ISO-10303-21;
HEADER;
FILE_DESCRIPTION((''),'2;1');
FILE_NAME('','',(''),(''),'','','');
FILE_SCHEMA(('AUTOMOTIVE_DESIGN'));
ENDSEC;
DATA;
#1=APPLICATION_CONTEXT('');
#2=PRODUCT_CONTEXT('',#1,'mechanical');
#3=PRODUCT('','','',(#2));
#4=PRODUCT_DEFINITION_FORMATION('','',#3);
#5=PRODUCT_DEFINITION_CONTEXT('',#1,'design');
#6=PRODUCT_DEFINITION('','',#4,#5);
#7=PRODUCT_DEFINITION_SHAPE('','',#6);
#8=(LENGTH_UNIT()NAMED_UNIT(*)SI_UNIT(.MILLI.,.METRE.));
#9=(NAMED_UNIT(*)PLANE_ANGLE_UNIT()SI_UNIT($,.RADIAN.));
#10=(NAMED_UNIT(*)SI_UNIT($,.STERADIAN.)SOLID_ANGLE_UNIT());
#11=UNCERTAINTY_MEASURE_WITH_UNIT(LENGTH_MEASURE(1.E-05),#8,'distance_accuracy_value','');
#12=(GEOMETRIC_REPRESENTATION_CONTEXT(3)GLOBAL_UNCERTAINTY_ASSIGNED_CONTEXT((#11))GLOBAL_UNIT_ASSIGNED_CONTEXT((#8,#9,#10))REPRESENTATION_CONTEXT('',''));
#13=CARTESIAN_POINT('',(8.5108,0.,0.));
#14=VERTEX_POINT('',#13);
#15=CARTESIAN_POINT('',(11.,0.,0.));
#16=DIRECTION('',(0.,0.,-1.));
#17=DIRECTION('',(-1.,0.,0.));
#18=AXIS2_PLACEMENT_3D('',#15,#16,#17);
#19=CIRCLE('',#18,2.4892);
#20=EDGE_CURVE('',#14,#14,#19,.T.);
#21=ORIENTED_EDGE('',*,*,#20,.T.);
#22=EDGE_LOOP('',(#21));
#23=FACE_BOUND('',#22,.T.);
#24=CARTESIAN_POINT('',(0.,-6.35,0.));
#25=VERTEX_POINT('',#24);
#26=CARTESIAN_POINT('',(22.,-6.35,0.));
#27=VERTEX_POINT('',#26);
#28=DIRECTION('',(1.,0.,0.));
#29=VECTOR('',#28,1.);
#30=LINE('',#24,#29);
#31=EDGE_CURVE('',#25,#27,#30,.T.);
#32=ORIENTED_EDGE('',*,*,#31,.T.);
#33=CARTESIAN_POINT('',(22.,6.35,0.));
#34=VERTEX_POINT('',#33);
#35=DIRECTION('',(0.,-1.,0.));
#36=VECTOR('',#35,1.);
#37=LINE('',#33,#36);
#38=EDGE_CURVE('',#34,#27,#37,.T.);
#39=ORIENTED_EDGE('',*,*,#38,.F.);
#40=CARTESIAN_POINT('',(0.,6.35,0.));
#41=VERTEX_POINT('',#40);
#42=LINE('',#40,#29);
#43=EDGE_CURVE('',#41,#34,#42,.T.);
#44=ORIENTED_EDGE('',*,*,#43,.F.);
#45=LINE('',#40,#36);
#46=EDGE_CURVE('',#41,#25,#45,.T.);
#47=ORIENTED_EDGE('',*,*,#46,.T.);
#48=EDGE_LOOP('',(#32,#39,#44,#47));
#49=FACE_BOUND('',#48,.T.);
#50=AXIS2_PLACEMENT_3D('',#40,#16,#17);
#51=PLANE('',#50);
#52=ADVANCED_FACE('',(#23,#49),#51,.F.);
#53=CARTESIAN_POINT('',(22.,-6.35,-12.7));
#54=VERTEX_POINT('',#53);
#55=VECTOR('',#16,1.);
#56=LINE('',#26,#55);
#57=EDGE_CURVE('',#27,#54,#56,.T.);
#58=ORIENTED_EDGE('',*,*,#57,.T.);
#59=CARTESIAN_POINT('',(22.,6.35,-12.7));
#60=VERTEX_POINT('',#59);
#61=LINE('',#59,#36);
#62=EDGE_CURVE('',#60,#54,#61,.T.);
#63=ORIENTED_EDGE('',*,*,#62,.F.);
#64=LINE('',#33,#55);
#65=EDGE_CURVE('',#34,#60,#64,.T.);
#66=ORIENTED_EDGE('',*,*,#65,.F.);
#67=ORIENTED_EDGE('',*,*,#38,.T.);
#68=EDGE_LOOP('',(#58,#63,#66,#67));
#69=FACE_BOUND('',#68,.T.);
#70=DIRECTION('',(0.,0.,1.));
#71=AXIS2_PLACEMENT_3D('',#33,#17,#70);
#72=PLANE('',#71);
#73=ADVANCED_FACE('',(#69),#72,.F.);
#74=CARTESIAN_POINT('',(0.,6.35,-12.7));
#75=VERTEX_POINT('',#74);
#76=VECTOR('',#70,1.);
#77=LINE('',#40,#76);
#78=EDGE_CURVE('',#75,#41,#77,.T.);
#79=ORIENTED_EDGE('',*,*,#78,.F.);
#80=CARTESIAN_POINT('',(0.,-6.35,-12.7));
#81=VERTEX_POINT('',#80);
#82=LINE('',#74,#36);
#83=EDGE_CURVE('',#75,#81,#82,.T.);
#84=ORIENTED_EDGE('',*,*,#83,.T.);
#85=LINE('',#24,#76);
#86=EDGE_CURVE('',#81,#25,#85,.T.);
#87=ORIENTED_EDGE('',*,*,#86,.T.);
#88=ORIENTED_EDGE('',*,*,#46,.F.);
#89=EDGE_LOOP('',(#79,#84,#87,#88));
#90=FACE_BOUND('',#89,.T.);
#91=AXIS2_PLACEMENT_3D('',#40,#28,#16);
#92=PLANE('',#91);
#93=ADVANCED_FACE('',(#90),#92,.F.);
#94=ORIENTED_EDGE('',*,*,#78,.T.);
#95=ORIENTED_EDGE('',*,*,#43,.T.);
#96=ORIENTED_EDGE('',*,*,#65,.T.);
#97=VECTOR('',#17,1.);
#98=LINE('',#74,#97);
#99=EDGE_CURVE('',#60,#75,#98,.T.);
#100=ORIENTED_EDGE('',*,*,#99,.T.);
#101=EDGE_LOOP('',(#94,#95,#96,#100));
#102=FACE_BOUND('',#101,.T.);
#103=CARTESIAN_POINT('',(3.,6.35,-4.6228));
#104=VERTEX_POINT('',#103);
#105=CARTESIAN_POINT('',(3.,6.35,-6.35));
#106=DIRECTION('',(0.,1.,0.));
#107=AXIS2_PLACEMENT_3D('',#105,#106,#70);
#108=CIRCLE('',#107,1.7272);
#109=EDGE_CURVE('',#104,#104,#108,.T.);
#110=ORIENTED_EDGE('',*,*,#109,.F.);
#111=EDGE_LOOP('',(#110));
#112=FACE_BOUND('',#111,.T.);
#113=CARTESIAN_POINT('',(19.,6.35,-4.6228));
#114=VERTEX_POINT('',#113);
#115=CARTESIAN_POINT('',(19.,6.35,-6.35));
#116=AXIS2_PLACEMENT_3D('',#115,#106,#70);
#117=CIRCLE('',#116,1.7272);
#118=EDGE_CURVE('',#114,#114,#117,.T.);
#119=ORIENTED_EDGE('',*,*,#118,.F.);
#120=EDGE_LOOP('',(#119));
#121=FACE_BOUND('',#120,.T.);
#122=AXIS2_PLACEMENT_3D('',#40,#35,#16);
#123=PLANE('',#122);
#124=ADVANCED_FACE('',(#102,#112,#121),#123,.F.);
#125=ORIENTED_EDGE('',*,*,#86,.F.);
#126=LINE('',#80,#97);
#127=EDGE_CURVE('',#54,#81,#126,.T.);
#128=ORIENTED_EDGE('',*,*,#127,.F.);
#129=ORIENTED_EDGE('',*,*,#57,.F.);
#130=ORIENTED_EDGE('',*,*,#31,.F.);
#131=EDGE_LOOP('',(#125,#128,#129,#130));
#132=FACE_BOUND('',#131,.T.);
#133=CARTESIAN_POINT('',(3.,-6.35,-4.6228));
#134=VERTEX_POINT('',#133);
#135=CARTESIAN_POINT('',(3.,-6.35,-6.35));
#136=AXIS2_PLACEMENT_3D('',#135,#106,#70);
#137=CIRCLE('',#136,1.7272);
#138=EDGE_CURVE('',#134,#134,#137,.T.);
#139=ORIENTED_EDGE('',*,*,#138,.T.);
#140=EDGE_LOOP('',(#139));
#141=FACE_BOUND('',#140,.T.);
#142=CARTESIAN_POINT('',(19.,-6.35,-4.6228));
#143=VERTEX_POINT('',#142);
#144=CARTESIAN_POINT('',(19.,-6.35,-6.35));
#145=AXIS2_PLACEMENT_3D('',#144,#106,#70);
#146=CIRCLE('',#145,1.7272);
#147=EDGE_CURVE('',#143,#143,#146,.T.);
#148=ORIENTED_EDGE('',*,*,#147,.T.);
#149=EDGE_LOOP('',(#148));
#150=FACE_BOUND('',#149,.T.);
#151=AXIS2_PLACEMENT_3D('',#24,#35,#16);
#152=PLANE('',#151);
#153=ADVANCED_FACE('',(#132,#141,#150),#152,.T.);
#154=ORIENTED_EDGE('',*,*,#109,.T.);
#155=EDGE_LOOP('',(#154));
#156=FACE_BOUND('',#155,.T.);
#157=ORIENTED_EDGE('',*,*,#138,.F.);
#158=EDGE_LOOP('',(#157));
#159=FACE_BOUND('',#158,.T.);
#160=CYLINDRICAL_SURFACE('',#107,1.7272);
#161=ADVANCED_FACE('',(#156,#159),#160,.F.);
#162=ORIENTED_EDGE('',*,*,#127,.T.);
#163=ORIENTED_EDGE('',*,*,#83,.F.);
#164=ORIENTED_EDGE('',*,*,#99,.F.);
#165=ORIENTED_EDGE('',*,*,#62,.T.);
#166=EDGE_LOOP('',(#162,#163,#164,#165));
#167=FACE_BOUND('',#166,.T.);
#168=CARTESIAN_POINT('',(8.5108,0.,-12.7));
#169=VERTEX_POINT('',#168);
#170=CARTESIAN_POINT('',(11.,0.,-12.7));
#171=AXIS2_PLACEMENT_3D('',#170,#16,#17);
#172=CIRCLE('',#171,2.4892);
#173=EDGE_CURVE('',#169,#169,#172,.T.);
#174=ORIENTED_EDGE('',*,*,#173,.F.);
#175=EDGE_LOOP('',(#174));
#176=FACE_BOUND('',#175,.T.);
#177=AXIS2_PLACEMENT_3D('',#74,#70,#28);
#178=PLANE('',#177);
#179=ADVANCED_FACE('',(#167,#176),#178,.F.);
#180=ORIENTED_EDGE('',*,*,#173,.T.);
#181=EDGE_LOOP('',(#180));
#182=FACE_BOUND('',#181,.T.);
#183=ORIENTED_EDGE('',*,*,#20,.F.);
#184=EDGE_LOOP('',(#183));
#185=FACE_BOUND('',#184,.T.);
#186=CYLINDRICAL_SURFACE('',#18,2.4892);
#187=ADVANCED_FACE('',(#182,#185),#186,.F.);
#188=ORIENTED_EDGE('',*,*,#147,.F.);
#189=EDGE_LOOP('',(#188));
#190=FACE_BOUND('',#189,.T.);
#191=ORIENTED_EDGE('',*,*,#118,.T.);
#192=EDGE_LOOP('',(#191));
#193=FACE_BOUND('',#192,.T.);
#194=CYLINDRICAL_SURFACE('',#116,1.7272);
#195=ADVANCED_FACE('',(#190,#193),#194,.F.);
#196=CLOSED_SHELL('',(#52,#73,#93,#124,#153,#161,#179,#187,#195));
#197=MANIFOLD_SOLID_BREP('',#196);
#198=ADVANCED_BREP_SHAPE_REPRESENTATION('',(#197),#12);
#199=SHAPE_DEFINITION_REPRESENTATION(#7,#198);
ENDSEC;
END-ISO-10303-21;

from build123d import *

# Parameters (mm, degrees)
SKETCH1_W             = 22.000000096
SKETCH1_H             = 12.7
BOSS_EXTRUDE1_DEPTH   = 6.35
F_8_32_TAPPED_HOLE1_D = 3.4544
SKETCH4_R             = 2.4892
CUT_EXTRUDE1_DEPTH    = 27.184203334


with BuildPart() as part:
    # Sketch1 → Boss-Extrude1 (new, symmetric)
    with BuildSketch(Plane(origin=(0, 0, 0), x_dir=(1, 0, 0), z_dir=(0, 1, 0))):
        with Locations((11.000000048, 6.35)):
            Rectangle(SKETCH1_W, SKETCH1_H)
    extrude(amount=BOSS_EXTRUDE1_DEPTH, both=True)

    # #8-32 Tapped Hole1 (through all)
    with Locations(Plane(origin=(3.000000096, 6.35, -6.35), x_dir=(0, 0, 1), z_dir=(0, 1, 0))):
        with Locations((0, 0), (0, 16)):
            Hole(F_8_32_TAPPED_HOLE1_D / 2)

    # Sketch4 → Cut-Extrude1 (cut, through all)
    with BuildSketch(Plane(origin=(0, 0, -12.7), x_dir=(-1, 0, 0), z_dir=(0, 0, -1))):
        with Locations((-11.000000048, 0)):
            Circle(SKETCH4_R)
    extrude(amount=-CUT_EXTRUDE1_DEPTH, mode=Mode.SUBTRACT)


solid = part.part
